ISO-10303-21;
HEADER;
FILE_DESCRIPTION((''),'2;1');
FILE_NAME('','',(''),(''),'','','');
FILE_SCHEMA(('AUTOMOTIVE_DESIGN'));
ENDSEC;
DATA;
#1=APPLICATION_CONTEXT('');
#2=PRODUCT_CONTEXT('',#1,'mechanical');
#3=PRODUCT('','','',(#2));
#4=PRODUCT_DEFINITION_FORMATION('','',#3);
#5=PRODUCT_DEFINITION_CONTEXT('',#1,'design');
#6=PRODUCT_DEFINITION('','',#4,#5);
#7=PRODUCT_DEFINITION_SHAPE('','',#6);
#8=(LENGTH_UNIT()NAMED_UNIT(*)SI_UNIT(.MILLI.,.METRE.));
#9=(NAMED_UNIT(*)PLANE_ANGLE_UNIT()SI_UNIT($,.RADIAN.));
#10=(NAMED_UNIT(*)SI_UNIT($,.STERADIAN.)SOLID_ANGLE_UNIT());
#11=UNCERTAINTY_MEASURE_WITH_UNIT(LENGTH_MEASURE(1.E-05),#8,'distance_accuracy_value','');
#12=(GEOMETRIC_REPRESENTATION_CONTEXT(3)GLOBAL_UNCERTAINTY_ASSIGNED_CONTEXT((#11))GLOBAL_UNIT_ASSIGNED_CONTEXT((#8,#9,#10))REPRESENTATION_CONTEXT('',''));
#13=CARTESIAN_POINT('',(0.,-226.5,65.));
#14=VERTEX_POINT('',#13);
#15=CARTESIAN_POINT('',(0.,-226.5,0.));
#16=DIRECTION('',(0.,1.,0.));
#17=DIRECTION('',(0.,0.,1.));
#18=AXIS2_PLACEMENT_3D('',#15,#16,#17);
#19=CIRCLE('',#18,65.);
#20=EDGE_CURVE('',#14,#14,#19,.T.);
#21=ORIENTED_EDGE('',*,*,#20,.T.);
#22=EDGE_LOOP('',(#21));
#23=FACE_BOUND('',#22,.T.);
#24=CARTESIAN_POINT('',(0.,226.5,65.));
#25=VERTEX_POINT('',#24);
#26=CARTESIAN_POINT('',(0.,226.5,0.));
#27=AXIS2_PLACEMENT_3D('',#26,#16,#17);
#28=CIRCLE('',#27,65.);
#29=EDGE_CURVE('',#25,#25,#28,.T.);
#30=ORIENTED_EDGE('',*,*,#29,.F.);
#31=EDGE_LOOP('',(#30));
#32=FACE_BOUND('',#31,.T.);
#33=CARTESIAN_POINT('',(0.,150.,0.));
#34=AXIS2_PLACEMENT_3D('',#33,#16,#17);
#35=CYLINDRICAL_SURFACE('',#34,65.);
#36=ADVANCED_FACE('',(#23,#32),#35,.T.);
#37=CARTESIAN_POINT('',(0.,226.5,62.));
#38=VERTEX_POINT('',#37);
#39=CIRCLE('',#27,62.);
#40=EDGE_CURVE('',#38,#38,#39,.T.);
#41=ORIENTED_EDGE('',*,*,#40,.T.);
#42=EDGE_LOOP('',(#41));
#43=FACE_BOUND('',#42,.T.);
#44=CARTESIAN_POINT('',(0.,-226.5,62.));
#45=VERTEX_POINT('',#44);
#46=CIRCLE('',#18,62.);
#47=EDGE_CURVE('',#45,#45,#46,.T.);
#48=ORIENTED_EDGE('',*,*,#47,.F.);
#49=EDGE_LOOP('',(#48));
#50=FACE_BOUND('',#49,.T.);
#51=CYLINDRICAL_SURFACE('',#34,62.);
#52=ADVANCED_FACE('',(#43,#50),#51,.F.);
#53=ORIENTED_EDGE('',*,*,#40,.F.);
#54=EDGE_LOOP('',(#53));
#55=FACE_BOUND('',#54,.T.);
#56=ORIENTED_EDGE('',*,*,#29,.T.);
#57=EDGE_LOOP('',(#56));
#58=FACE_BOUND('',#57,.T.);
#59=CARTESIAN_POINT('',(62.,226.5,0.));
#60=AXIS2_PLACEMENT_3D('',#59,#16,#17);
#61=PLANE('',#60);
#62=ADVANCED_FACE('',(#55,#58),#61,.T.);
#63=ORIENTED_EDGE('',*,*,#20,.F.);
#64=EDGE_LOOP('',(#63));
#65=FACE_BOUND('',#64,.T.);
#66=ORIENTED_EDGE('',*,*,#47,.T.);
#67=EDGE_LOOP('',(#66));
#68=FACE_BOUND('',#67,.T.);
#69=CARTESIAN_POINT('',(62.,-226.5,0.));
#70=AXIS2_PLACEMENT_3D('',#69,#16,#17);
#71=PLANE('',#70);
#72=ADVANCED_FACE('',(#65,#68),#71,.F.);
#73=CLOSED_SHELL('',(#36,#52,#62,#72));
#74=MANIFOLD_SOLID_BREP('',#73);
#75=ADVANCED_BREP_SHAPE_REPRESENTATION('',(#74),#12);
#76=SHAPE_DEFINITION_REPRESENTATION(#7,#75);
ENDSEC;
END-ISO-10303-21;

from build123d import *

# Parameters (mm, degrees)
SZKIC1_W = 3
SZKIC1_H = 453


with BuildPart() as part:
    # Szkic1 → Obrót1 (revolve)
    with BuildSketch(Plane.XY, mode=Mode.PRIVATE) as obr_t1_sk:
        with Locations((63.5, 0)):
            Rectangle(SZKIC1_W, SZKIC1_H)
    revolve(obr_t1_sk.sketch.rotate(Axis((0, 150, 0), (0, -1, 0)), 90), axis=Axis((0, 150, 0), (0, -1, 0)))


solid = part.part
